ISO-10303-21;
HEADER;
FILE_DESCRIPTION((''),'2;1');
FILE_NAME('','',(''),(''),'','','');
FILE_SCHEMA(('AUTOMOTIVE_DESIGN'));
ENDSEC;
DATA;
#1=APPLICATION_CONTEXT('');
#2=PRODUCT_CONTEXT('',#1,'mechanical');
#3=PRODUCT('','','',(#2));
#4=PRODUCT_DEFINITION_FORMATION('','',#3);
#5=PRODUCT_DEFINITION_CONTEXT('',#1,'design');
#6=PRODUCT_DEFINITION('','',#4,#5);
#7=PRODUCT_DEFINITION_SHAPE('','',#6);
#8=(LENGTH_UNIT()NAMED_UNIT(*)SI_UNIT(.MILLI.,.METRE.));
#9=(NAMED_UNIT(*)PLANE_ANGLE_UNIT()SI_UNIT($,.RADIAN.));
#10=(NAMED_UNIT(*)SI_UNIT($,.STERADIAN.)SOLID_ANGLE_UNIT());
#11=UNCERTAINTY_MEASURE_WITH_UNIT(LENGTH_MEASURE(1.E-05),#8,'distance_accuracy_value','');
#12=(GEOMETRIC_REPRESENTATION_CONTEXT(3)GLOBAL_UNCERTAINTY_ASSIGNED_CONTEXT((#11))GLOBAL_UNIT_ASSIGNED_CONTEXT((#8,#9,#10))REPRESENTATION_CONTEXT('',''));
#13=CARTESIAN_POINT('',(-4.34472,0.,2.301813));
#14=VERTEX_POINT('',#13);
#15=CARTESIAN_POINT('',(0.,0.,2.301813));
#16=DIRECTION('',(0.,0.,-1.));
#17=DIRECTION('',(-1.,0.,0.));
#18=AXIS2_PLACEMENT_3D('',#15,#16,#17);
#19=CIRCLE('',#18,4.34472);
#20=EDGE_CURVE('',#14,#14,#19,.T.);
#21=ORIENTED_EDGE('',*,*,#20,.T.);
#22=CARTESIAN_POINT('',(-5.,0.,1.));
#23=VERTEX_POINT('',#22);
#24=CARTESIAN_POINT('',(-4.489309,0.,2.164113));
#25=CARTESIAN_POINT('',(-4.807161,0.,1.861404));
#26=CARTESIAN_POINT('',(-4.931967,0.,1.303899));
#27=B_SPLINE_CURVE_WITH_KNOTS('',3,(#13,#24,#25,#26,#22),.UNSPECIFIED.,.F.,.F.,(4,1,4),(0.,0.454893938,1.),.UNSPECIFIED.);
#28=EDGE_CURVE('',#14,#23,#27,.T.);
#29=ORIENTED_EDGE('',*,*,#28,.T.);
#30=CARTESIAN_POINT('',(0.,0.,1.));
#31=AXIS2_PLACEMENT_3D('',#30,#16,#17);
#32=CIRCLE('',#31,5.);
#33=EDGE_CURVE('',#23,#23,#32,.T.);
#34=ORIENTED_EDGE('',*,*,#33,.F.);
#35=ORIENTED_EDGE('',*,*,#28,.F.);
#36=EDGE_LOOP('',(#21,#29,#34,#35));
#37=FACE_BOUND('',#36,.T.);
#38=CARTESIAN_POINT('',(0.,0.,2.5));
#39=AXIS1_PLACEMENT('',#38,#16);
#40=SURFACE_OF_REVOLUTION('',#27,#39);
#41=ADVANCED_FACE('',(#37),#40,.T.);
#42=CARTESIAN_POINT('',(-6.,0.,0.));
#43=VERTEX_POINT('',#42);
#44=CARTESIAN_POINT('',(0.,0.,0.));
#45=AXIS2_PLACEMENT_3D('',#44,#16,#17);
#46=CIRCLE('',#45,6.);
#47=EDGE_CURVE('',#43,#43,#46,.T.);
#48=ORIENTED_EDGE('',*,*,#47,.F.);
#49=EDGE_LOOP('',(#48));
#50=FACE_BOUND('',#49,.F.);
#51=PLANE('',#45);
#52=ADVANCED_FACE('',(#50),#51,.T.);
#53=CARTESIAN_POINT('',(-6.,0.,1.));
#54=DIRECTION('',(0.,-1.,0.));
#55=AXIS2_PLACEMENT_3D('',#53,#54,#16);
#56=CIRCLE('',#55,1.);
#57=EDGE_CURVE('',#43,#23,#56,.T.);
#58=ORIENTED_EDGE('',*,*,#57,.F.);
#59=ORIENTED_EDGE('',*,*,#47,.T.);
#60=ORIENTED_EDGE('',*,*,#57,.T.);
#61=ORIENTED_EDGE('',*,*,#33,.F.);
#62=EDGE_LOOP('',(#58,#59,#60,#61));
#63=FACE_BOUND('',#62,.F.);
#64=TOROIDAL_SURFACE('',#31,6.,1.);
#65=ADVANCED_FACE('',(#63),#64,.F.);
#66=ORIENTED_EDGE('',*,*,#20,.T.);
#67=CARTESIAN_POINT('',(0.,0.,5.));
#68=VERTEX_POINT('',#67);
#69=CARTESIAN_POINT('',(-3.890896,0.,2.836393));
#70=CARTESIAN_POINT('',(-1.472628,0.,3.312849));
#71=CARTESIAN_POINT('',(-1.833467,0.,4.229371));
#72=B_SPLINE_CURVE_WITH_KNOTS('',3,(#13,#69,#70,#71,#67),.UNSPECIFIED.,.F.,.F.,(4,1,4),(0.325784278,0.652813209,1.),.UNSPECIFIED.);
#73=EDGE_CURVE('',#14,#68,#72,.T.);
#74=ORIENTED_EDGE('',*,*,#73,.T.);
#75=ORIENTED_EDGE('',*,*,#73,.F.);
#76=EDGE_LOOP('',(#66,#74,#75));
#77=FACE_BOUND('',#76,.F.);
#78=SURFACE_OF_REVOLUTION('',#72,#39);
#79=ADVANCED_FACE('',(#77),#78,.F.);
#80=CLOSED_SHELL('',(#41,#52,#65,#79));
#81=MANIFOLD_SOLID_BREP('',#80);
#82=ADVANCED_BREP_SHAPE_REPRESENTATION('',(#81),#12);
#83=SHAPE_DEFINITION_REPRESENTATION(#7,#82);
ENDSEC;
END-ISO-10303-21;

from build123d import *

# Parameters (mm, degrees)
F2_ANGLE = 180


with BuildPart() as f1:
    # F0 (on Front) → F1 (revolve)
    with BuildSketch(Plane.XZ):
        with BuildLine():
            Line((0, -5), (0, 0))
            Line((0, 0), (-5, 0))
            add(Edge.make_bspline(
                [(-5, 0), (-4.5352212381, -0.9355523581), (-4.7968179608, -1.7692674897), (-4.3447203934, -2.3018131033)],
                knots=[0, 0, 0, 0, 0.3257842781, 0.3257842781, 0.3257842781, 0.3257842781], degree=3))
            add(Edge.make_bspline(
                [(-4.3447203934, -2.3018131033), (-3.8908955958, -2.8363932973), (-1.4726280315, -3.3128485794), (-1.8334671951, -4.2293712998), (0, -5)],
                knots=[0.3257842781, 0.3257842781, 0.3257842781, 0.3257842781, 0.6528132089, 1, 1, 1, 1], degree=3))
        make_face()
        with BuildLine():
            add(Edge.make_bspline(
                [(-5, 0), (-4.5352212381, -0.9355523581), (-4.7968179608, -1.7692674897), (-4.3447203934, -2.3018131033)],
                knots=[0, 0, 0, 0, 0.3257842781, 0.3257842781, 0.3257842781, 0.3257842781], degree=3))
            Line((-5, 0), (-6, 0))
            ThreePointArc((-6, 0), (-5.2928932188, -0.2928932188), (-5, -1))
            add(Edge.make_bspline(
                [(-4.3447203934, -2.3018131033), (-4.4893092701, -2.1641126798), (-4.8071611132, -1.8614038244), (-4.9319673589, -1.3038991677), (-5, -1)],
                knots=[0, 0, 0, 0, 0.4548939385, 1, 1, 1, 1], degree=3))
        make_face()
    revolve(axis=Axis((0, 0, -2.5), (0, 0, 1)))


with BuildPart() as f1_1:
    # F2: moved
    add(f1.part.rotate(Axis((-2.5, 0, 0), (-1, 0, 0)), F2_ANGLE))


solid = f1_1.part
